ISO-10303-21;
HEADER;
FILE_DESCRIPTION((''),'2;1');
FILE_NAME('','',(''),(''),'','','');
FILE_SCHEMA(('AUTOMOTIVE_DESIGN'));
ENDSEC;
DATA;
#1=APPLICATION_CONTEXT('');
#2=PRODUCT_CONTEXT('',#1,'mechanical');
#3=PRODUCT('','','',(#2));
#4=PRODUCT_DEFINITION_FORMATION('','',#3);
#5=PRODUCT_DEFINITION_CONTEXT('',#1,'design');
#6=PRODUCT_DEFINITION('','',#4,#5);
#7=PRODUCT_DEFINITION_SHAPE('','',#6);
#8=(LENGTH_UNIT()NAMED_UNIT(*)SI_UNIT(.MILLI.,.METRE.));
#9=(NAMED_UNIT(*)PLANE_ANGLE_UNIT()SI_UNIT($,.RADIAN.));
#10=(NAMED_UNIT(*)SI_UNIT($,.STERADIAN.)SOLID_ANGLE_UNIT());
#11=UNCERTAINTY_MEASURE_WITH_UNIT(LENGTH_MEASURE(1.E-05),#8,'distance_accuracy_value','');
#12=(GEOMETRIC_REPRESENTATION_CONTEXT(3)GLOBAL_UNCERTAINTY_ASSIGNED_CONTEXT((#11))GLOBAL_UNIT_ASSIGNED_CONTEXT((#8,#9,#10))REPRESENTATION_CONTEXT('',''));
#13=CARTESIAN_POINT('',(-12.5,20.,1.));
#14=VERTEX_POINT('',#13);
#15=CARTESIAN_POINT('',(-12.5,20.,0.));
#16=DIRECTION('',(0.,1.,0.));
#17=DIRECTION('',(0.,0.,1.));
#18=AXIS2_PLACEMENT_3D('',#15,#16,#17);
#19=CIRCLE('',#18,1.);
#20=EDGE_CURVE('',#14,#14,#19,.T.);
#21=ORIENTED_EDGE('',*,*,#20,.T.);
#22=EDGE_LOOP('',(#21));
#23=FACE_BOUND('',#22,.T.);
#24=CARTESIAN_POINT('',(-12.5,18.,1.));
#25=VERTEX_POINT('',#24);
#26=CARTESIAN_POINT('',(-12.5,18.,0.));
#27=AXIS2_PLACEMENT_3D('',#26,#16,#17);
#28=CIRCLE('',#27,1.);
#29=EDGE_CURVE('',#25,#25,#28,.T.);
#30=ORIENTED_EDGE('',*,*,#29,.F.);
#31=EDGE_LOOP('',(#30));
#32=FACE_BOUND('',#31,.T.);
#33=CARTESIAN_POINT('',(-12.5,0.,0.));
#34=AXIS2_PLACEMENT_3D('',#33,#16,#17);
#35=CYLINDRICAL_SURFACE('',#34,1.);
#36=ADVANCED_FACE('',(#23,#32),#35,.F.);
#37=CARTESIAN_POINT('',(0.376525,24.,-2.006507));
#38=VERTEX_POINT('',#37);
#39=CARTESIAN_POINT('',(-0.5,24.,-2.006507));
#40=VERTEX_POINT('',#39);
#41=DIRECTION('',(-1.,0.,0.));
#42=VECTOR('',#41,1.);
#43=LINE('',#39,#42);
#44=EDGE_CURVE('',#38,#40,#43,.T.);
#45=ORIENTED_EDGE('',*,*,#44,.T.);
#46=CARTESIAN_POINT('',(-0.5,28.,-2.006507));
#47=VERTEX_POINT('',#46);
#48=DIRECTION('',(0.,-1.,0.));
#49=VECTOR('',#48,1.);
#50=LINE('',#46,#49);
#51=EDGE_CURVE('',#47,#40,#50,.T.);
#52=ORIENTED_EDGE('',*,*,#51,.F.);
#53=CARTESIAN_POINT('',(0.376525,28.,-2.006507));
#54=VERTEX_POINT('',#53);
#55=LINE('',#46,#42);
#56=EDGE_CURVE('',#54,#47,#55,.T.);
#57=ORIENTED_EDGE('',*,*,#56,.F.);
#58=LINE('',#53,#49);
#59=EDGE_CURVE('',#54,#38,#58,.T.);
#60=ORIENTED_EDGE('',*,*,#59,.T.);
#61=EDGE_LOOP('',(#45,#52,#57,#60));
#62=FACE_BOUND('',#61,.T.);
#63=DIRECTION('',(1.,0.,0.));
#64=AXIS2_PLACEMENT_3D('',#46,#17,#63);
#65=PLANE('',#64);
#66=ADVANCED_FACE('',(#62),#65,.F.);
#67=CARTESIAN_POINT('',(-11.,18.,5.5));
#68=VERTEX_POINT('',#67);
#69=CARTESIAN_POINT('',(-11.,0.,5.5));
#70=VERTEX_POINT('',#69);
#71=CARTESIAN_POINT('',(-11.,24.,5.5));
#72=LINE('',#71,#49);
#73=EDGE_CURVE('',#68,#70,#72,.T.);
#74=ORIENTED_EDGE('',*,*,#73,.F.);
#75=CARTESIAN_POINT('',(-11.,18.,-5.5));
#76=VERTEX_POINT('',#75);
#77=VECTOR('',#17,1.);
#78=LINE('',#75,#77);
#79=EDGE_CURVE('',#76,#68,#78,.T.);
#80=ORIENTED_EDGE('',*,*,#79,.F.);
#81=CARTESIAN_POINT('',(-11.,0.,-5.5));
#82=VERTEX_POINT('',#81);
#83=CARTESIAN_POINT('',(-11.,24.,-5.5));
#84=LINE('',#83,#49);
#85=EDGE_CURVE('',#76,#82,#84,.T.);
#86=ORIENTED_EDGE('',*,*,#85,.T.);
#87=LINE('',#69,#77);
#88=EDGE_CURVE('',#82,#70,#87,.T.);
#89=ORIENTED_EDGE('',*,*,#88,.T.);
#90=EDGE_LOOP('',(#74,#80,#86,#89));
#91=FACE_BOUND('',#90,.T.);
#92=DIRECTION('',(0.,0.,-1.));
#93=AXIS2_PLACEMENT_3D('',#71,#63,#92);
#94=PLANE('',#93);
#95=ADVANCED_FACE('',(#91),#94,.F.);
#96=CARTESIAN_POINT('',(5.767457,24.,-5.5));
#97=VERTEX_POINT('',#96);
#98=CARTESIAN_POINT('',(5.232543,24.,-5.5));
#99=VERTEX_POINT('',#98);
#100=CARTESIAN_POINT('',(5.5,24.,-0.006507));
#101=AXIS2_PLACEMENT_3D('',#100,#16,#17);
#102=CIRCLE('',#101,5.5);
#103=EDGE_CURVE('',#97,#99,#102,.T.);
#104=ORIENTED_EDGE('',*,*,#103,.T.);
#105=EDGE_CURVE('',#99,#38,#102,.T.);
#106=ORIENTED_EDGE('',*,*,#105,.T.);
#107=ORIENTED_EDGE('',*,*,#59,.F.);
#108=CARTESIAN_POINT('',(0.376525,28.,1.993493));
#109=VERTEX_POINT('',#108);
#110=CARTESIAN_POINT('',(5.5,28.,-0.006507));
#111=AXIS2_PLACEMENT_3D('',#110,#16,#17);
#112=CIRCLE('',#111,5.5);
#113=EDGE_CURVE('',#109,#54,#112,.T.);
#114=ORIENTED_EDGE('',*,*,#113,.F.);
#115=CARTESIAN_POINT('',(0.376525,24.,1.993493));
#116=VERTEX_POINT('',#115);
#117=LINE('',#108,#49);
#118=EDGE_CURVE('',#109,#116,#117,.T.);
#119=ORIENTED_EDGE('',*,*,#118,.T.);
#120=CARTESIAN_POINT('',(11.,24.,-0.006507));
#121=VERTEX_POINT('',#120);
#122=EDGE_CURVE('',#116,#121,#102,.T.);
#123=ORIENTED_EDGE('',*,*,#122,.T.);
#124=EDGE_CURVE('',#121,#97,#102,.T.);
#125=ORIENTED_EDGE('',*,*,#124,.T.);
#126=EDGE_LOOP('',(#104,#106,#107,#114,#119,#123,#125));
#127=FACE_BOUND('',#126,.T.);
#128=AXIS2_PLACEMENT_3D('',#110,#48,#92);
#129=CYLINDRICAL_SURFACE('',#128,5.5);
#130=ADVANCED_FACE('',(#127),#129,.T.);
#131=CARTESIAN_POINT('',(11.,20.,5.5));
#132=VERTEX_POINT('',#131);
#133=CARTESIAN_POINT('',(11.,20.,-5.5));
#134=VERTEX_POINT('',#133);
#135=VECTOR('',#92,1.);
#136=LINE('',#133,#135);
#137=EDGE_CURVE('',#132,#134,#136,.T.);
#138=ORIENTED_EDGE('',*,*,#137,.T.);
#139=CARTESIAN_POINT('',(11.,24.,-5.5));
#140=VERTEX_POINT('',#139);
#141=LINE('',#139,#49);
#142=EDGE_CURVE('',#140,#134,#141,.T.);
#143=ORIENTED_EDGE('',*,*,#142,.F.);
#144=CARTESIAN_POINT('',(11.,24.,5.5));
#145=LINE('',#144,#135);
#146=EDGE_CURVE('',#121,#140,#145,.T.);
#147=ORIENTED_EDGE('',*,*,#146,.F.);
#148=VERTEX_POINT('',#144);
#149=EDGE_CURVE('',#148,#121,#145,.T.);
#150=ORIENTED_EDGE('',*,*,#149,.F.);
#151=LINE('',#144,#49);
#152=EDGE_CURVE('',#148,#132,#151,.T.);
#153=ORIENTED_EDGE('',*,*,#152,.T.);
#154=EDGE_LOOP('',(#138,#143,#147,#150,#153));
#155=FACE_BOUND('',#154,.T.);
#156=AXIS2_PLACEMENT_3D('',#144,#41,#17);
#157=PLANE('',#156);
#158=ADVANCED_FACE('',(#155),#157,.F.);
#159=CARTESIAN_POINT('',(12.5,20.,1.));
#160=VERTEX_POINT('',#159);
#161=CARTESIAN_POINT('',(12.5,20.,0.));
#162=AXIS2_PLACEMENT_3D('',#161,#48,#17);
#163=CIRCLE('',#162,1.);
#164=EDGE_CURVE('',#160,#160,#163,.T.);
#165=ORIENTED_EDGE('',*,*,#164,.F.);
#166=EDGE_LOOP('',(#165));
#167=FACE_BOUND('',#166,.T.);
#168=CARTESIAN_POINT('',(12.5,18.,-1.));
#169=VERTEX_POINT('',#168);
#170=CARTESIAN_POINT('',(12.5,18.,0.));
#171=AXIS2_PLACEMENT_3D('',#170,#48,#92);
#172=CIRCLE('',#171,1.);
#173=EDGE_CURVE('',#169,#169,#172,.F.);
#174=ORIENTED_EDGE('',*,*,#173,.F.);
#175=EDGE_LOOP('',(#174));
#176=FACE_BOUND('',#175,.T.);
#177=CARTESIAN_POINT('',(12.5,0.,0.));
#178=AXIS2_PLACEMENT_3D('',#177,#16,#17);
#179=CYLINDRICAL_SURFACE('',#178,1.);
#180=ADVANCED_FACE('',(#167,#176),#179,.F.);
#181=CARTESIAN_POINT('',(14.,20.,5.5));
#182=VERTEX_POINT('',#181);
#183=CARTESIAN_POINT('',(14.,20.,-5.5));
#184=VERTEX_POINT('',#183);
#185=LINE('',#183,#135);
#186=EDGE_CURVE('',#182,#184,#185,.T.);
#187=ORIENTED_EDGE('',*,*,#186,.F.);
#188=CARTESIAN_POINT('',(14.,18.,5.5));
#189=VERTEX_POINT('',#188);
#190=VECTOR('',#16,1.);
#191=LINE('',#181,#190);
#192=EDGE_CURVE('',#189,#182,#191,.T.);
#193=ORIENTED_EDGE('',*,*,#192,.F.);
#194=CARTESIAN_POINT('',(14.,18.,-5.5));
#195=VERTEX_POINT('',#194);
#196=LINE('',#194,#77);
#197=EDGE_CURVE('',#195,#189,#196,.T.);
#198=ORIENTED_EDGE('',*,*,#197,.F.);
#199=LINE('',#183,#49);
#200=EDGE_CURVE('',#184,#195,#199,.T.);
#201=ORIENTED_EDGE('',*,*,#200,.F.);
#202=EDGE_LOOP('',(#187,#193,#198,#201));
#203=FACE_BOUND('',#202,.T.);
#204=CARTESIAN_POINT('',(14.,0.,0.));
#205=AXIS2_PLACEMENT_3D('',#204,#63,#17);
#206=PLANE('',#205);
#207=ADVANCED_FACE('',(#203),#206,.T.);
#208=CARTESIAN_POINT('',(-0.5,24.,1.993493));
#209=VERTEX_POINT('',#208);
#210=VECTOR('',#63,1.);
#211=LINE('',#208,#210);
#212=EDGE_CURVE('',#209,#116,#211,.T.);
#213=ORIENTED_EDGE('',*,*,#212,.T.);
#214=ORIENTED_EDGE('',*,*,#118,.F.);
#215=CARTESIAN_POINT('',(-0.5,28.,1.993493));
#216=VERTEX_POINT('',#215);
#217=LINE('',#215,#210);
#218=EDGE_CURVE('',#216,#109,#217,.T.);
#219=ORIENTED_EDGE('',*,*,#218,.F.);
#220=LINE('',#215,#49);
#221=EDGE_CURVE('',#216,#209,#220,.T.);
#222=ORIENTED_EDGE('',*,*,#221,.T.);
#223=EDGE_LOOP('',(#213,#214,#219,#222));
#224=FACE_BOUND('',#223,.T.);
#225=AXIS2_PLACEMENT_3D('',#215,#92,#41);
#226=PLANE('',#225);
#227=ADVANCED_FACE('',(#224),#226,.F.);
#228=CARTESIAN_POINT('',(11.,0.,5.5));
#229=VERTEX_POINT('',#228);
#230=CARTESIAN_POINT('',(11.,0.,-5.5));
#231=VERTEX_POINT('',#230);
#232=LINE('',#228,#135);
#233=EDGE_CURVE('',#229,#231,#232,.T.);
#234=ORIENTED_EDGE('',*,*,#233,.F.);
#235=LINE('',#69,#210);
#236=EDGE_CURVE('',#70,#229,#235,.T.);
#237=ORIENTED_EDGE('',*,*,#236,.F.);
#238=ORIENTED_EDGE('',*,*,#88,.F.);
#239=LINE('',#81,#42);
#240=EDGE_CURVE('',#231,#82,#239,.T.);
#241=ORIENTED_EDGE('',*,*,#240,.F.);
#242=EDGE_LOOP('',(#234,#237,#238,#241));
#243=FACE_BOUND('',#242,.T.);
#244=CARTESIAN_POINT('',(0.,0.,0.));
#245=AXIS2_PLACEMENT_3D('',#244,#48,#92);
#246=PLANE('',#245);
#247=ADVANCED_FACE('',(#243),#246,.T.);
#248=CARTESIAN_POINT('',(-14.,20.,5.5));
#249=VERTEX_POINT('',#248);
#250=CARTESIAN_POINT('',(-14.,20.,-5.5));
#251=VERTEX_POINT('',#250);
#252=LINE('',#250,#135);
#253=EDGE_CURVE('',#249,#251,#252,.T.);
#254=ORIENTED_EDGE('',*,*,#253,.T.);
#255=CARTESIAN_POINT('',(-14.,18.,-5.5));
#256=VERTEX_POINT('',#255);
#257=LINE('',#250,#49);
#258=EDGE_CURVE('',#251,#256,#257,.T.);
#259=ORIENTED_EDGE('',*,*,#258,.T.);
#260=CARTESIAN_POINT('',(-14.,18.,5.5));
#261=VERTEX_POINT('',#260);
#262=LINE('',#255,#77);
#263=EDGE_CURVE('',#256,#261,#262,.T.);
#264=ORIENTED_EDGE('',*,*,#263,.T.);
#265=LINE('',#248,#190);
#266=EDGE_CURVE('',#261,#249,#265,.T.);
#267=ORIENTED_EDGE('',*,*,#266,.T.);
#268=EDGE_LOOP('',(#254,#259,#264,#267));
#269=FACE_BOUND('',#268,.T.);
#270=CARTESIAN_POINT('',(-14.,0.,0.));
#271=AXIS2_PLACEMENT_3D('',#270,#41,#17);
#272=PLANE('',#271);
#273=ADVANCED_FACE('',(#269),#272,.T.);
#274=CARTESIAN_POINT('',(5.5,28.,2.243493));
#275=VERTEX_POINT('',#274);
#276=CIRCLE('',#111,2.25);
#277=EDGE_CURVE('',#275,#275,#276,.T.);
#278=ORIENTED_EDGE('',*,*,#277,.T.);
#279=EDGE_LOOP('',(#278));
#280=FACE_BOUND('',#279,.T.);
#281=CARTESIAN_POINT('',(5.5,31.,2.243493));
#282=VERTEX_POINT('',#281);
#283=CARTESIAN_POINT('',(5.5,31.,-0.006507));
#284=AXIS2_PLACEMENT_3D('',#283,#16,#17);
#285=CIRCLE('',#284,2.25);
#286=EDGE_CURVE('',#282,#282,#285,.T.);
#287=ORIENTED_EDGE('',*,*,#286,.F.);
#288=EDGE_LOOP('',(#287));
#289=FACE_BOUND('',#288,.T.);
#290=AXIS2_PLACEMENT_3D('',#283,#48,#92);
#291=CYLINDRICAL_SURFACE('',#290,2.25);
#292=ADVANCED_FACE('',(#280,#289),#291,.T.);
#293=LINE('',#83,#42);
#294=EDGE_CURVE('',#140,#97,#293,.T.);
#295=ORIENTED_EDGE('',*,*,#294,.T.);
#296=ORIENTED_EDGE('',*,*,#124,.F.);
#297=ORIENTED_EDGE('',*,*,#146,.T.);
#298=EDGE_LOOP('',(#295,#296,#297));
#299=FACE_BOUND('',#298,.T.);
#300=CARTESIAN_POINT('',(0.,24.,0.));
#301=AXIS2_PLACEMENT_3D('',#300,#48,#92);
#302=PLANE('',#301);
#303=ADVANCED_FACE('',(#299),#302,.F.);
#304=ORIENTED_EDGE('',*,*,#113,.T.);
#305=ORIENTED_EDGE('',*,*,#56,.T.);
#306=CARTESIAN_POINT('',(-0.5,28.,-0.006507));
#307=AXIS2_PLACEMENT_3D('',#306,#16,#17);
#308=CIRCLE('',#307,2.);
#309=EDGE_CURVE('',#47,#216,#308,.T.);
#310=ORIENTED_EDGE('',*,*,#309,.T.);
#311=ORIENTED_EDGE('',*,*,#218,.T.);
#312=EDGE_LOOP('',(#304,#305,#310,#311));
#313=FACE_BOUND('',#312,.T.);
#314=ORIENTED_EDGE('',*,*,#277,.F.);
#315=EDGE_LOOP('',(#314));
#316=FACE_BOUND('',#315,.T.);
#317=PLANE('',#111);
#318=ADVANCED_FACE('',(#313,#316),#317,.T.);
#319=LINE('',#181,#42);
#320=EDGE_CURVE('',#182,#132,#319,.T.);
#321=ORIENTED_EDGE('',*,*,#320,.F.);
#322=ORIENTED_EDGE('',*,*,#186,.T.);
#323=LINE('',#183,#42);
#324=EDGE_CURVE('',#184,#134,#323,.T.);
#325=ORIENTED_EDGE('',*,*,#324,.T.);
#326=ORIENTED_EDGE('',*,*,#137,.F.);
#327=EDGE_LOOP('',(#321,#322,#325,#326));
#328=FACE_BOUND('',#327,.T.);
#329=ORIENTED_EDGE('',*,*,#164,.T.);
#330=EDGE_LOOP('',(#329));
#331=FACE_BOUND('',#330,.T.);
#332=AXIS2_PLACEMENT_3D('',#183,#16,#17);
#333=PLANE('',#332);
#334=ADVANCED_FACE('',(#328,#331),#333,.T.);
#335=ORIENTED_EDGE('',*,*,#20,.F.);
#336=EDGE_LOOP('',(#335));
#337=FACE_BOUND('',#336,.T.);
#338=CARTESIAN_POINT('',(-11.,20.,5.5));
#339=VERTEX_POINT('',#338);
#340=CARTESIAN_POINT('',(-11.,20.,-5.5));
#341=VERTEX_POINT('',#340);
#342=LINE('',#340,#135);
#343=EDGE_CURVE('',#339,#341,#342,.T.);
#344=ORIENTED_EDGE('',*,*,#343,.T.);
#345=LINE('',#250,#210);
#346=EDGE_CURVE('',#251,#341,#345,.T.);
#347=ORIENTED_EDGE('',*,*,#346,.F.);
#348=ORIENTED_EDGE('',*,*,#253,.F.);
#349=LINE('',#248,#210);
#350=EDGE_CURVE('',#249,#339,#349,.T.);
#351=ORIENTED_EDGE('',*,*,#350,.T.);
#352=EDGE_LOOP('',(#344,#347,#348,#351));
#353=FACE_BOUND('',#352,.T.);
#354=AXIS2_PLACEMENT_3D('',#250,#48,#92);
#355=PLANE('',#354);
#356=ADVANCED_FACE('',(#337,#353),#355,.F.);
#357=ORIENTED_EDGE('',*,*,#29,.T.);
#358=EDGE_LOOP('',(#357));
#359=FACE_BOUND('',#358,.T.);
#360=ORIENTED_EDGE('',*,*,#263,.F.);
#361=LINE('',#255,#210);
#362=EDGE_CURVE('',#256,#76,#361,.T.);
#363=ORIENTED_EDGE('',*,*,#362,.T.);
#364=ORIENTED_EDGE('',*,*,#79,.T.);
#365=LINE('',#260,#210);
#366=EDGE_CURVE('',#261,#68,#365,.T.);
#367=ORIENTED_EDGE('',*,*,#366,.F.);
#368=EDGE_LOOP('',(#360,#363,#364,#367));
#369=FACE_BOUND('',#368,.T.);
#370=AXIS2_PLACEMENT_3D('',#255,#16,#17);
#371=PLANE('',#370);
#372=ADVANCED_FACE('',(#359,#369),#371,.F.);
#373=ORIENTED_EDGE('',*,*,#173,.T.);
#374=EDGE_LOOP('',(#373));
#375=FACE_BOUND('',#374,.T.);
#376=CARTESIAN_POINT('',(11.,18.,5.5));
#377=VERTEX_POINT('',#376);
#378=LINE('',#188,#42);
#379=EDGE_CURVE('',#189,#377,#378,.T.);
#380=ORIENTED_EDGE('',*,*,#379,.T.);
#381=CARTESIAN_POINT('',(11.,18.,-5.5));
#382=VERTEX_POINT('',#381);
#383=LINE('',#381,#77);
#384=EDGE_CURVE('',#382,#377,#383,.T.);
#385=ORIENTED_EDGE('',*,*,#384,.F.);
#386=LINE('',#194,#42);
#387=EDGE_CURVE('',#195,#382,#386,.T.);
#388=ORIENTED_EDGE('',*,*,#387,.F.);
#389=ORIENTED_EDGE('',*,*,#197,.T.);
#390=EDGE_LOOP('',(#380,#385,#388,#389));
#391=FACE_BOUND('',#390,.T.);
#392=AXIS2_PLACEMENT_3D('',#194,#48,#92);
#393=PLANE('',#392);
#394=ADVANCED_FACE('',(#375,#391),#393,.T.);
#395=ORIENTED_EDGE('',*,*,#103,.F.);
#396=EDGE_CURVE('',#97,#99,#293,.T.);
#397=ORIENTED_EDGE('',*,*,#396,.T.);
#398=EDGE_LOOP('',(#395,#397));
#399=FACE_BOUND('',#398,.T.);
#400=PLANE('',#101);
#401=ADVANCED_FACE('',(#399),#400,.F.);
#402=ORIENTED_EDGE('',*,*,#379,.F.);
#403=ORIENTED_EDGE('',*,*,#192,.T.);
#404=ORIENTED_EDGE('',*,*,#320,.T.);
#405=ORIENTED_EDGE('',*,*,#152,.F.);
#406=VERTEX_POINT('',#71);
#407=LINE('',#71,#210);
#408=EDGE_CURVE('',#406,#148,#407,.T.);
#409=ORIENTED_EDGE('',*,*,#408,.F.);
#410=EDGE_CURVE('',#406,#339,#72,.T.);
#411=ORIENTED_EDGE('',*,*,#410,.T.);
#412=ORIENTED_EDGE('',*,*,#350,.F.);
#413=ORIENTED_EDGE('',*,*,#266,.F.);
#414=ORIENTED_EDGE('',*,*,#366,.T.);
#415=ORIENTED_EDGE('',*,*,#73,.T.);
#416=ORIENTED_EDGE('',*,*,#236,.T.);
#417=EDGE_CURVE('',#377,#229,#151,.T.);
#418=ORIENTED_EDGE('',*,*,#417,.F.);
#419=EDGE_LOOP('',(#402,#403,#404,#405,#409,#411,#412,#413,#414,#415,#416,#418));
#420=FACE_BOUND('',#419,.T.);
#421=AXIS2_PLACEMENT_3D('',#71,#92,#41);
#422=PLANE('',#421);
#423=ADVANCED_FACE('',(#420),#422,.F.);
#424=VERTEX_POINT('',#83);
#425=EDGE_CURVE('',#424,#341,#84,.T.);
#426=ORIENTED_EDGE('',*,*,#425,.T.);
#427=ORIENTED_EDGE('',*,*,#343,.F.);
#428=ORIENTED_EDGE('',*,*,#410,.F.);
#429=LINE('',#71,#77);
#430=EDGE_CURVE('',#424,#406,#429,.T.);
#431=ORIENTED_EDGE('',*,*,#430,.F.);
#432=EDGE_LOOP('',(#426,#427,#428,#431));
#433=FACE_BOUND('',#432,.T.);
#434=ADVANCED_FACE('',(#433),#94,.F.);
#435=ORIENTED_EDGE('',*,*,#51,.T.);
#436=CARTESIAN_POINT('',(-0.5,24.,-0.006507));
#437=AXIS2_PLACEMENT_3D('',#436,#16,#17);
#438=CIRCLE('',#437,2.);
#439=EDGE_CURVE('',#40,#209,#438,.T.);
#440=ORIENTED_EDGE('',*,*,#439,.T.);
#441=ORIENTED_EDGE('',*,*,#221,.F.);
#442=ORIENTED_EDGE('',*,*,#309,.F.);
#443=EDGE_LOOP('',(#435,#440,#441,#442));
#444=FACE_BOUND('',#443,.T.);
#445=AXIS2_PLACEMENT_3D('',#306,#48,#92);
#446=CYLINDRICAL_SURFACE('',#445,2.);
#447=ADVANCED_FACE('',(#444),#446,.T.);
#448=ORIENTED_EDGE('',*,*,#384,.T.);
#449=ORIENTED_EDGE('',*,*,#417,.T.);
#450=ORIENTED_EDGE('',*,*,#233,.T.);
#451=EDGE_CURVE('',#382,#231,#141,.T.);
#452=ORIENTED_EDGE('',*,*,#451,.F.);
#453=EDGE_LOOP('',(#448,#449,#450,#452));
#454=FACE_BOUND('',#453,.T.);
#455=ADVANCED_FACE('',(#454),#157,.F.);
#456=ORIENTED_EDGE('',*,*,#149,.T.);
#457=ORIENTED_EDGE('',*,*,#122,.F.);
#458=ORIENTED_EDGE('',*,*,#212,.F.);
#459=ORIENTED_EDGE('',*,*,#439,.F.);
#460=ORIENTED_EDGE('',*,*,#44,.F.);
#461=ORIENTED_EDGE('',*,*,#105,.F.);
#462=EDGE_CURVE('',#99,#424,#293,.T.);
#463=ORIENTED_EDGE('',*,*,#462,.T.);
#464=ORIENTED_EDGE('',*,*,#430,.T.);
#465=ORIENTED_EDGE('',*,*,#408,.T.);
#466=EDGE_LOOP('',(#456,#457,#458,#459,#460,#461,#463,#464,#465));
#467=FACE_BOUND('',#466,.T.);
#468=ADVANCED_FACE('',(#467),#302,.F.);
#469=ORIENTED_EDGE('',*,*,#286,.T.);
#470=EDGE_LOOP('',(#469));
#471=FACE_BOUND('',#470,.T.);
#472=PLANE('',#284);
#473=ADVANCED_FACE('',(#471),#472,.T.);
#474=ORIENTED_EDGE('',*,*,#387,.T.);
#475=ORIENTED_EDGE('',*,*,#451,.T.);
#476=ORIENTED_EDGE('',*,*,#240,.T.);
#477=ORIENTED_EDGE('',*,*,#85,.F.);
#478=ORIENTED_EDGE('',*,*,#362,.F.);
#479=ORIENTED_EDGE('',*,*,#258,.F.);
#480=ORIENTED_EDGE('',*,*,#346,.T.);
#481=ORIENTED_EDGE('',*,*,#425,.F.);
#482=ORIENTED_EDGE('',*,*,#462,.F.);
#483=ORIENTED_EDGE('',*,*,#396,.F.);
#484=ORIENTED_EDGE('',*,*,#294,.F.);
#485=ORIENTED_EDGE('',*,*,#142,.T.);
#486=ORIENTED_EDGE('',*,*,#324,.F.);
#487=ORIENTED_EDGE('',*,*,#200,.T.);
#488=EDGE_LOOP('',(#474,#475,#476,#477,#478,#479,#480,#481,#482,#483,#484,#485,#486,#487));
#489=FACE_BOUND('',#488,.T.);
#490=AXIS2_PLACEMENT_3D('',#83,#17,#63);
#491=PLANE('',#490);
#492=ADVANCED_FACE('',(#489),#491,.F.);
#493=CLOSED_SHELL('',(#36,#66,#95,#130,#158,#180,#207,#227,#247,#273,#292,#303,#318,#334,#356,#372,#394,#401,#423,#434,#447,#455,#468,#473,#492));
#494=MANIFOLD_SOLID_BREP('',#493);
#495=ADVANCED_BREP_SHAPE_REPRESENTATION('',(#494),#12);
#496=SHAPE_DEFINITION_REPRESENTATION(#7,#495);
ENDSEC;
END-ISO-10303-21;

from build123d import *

# Parameters (mm, degrees)
SKETCH1_W           = 22
SKETCH1_H           = 11
BOSS_EXTRUDE1_DEPTH = 24
BOSS_EXTRUDE2_DEPTH = 4
SKETCH4_W           = 11
SKETCH4_H           = 2
BOSS_EXTRUDE3_DEPTH = 3
SKETCH5_R           = 1
CUT_EXTRUDE2_DEPTH  = 21
SKETCH3_R           = 2.25
BOSS_EXTRUDE4_DEPTH = 3


with BuildPart() as part:
    # Sketch1 → Boss-Extrude1 (new body)
    with BuildSketch(Plane(origin=(0, 0, 0), x_dir=(1, 0, 0), z_dir=(0, 1, 0))):
        Rectangle(SKETCH1_W, SKETCH1_H)
    extrude(amount=BOSS_EXTRUDE1_DEPTH)

    # Sketch2 → Boss-Extrude2 (add)
    with BuildSketch(Plane(origin=(0, 24, 0), x_dir=(1, 0, 0), z_dir=(0, 1, 0))):
        with BuildLine():
            Line((-0.5, 2.006506876), (0.376524617, 2.006506876))
            ThreePointArc((0.376524617, 2.006506876), (11, 0.006506876), (0.376524617, -1.993493124))
            Line((0.376524617, -1.993493124), (-0.5, -1.993493124))
            ThreePointArc((-0.5, -1.993493124), (-2.5, 0.006506876), (-0.5, 2.006506876))
        make_face()
    extrude(amount=BOSS_EXTRUDE2_DEPTH)

    # Sketch4 → Boss-Extrude3 (add)
    with BuildSketch(Plane.ZY.offset(11)):
        with Locations((0, 19)):
            Rectangle(SKETCH4_W, SKETCH4_H)
    boss_extrude3 = extrude(amount=BOSS_EXTRUDE3_DEPTH)

    # Sketch5 → Cut-Extrude2 (cut, through all)
    with BuildSketch(Plane(origin=(0, 20, 0), x_dir=(1, 0, 0), z_dir=(0, 1, 0))):
        with Locations((-12.5, 0)):
            Circle(SKETCH5_R)
    cut_extrude2 = extrude(amount=-CUT_EXTRUDE2_DEPTH, mode=Mode.SUBTRACT)

    # Mirror1: Boss-Extrude3, Cut-Extrude2 across plane
    add(boss_extrude3.mirror(Plane(origin=(0, 0, 0), x_dir=(0, 0, 1), z_dir=(1, 0, 0))))
    add(cut_extrude2.mirror(Plane(origin=(0, 0, 0), x_dir=(0, 0, 1), z_dir=(1, 0, 0))), mode=Mode.SUBTRACT)

    # Sketch3 → Boss-Extrude4 (add)
    with BuildSketch(Plane(origin=(0, 28, 0), x_dir=(1, 0, 0), z_dir=(0, 1, 0))):
        with Locations((5.5, 0.006506876)):
            Circle(SKETCH3_R)
    extrude(amount=BOSS_EXTRUDE4_DEPTH)


solid = part.part
